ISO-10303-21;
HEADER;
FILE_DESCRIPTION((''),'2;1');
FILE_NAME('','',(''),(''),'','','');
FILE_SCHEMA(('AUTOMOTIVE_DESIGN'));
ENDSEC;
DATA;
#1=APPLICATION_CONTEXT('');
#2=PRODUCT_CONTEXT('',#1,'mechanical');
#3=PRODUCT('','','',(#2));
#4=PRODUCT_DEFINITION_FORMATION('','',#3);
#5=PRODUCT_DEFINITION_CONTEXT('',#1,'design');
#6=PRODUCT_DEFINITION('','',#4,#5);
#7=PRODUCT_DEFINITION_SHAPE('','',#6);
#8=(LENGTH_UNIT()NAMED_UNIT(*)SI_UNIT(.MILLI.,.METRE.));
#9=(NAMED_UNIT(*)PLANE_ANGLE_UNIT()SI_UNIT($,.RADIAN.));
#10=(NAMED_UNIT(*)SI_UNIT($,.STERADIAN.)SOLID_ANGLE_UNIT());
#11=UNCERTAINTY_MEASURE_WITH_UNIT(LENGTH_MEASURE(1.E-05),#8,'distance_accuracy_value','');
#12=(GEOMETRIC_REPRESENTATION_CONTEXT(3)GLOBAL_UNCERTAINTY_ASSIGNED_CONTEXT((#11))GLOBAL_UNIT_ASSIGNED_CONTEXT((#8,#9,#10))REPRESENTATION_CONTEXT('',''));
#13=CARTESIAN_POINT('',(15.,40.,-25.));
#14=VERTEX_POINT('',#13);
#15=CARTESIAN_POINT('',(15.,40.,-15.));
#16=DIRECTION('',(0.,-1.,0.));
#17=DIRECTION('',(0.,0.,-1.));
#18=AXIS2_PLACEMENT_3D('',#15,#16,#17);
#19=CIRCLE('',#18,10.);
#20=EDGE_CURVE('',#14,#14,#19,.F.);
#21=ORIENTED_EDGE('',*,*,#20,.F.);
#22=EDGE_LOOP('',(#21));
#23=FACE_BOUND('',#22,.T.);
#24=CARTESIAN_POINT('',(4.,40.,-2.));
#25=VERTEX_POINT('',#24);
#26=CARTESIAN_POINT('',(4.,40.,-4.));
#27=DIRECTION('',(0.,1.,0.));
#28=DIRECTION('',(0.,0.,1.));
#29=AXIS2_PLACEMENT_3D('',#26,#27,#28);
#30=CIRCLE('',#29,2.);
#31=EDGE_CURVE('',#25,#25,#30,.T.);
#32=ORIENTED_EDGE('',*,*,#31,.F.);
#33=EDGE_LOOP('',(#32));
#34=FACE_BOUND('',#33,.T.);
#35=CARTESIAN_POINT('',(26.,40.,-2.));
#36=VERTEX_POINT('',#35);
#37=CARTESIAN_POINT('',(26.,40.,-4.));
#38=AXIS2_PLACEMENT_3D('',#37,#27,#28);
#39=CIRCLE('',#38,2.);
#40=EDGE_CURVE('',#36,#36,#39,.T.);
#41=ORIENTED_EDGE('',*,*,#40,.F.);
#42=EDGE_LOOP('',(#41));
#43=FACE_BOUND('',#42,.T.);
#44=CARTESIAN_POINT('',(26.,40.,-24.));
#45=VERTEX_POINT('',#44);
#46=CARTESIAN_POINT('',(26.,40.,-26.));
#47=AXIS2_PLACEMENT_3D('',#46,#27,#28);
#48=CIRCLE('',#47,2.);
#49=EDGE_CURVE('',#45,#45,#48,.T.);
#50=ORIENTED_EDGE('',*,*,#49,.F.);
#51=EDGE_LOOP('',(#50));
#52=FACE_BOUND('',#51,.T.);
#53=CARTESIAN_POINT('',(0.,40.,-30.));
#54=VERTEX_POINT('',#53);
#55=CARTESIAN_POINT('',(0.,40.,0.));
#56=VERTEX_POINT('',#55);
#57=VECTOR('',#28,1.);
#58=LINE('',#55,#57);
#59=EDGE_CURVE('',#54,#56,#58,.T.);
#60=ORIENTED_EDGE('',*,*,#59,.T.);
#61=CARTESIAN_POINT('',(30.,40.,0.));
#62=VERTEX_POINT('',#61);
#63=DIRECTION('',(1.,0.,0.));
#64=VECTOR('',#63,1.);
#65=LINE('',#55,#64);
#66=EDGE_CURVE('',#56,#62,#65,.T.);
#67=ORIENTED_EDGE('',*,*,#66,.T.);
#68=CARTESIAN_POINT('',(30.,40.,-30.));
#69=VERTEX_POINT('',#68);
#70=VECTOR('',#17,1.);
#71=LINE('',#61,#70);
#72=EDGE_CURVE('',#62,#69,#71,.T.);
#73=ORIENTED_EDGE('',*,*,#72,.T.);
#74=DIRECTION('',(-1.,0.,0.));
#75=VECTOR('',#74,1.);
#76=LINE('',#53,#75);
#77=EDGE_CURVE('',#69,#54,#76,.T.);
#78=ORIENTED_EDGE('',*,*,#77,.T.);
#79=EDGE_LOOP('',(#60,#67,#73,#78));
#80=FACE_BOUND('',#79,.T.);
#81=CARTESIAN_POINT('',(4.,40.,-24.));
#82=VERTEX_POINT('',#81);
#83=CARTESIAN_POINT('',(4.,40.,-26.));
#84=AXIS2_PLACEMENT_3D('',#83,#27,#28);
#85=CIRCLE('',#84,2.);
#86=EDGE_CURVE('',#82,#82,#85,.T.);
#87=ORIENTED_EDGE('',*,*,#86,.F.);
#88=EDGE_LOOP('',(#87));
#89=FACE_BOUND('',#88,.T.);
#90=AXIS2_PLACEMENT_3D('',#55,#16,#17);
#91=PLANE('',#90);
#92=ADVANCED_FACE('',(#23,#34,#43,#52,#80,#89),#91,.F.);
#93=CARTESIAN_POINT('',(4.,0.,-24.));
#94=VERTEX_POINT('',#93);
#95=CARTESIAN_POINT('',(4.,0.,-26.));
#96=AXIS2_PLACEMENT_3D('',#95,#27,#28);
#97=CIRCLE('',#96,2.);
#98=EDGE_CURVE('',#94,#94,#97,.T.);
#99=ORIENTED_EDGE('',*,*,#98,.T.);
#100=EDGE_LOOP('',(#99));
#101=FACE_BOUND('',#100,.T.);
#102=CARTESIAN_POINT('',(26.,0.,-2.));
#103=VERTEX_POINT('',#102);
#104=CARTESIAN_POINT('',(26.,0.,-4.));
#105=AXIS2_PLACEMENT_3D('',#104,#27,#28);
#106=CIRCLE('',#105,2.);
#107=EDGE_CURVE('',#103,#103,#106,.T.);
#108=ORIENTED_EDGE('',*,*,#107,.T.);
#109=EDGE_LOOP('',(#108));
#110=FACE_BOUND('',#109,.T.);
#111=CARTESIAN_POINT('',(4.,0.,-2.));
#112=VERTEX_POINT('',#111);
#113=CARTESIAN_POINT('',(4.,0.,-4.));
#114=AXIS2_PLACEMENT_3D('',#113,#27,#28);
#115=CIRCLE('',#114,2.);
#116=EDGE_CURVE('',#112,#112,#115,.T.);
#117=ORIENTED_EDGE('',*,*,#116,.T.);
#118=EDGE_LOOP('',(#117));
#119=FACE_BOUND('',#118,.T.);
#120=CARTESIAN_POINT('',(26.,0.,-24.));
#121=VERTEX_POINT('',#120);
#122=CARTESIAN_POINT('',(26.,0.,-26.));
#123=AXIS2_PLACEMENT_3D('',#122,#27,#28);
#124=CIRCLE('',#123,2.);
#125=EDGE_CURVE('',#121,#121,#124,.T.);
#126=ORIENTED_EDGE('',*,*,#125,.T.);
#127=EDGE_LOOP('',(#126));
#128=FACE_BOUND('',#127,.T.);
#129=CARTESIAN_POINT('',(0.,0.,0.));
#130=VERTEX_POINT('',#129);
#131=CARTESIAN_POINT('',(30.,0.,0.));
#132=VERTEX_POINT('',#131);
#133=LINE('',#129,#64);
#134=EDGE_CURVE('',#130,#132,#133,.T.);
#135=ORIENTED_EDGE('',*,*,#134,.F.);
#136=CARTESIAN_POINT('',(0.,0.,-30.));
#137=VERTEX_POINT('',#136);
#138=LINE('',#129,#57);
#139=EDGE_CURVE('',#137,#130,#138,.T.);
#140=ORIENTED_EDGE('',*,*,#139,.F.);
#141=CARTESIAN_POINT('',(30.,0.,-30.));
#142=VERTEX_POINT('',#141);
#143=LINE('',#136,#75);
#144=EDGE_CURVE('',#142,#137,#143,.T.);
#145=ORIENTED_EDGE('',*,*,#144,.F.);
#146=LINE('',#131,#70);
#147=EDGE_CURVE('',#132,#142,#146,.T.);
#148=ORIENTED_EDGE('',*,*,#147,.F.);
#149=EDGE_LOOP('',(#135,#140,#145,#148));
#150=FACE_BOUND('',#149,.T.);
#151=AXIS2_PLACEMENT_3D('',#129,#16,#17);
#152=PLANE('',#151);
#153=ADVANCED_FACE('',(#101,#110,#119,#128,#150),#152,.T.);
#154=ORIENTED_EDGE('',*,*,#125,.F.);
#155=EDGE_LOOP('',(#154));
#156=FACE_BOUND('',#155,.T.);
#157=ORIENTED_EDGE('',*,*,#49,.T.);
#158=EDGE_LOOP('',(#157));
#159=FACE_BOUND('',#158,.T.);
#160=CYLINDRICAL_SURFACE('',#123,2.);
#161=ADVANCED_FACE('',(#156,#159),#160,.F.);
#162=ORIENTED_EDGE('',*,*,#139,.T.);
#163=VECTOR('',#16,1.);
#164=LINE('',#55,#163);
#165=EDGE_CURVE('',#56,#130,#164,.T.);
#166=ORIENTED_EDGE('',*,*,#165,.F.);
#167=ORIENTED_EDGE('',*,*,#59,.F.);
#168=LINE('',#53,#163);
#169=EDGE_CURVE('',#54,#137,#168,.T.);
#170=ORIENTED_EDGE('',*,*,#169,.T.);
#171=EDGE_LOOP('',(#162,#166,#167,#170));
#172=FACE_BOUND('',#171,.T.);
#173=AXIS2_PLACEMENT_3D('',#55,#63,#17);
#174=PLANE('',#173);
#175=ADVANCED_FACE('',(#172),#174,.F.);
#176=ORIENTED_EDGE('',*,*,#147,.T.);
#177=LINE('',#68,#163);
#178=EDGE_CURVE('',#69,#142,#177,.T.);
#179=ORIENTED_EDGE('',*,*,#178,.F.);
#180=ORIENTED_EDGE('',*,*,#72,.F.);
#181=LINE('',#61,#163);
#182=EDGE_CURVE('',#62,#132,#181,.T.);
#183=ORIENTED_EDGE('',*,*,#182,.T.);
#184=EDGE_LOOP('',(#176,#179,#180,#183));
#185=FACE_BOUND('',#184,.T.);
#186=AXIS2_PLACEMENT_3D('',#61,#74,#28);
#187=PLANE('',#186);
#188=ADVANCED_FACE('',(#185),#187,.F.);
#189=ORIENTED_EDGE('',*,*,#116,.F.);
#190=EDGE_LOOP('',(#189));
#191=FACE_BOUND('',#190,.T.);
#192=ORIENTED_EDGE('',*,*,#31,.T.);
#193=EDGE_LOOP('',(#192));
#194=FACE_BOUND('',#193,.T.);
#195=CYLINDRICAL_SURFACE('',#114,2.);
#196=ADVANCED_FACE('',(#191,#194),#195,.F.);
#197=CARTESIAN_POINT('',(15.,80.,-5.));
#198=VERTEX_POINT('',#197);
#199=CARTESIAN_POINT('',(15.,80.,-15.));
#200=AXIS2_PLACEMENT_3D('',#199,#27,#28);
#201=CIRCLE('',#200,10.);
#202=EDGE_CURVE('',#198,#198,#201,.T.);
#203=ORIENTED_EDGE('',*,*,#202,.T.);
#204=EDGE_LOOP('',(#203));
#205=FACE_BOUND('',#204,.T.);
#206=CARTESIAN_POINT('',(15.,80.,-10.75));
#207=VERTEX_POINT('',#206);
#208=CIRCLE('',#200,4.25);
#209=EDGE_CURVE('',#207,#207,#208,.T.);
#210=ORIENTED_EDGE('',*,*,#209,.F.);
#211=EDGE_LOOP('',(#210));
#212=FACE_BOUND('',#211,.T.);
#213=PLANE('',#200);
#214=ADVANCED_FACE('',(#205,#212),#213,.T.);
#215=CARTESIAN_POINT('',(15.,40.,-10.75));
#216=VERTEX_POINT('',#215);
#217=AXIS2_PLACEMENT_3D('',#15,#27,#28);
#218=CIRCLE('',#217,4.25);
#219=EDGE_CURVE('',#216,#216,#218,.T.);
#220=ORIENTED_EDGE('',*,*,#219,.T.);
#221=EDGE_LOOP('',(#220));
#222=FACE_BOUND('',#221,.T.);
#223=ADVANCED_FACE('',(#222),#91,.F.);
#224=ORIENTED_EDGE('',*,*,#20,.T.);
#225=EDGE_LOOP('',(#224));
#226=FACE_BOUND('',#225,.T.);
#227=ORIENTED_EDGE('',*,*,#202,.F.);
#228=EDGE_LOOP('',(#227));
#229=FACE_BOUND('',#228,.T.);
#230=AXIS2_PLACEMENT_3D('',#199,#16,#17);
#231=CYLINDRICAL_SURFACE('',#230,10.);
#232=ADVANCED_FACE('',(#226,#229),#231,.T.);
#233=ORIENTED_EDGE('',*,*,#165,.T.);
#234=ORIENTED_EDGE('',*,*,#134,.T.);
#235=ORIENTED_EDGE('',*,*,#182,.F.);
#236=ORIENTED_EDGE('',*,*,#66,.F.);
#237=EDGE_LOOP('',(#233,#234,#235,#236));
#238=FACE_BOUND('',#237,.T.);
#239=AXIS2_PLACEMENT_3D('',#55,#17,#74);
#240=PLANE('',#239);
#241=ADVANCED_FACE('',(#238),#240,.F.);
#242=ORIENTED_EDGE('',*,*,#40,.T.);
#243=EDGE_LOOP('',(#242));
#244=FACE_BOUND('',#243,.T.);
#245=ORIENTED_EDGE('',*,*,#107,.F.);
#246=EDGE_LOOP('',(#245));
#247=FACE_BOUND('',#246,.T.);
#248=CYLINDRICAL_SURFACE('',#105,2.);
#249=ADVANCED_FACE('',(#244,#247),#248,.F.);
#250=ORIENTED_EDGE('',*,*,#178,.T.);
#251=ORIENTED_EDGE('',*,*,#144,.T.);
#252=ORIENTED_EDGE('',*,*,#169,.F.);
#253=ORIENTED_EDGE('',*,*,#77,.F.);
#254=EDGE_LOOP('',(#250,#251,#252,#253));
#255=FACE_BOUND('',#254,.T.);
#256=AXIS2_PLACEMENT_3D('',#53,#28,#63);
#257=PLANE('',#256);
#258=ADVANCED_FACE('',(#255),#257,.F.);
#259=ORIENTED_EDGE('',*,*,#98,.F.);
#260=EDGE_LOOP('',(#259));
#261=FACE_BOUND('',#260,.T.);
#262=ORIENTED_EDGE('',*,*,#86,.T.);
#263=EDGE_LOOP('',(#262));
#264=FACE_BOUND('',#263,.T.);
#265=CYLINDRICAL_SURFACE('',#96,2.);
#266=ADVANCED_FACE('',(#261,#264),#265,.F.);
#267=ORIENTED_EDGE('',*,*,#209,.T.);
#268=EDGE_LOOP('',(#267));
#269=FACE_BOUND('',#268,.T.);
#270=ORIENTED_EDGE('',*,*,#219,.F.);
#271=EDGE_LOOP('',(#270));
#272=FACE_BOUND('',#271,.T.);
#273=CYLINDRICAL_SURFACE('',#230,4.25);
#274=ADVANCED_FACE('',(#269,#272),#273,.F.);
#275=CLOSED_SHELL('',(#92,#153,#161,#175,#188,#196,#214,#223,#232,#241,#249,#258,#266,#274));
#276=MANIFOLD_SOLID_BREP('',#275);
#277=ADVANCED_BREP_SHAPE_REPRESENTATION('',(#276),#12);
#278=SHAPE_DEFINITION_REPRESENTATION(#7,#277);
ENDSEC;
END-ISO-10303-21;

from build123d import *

# Parameters (mm, degrees)
IZIM1_W                     = 30
IZIM1_H                     = 30
Y_KSEKLIK_EKSTR_ZYON1_DEPTH = 40
IZIM2_R                     = 2
KES_EKSTR_ZYON1_DEPTH       = 40
IZIM3_R                     = 10
IZIM3_R_2                   = 4.25
Y_KSEKLIK_EKSTR_ZYON2_DEPTH = 40


with BuildPart() as part:
    # Çizim1 → Yükseklik-Ekstrüzyon1 (new body)
    with BuildSketch(Plane(origin=(0, 0, 0), x_dir=(1, 0, 0), z_dir=(0, 1, 0))):
        with Locations((15, 15)):
            Rectangle(IZIM1_W, IZIM1_H)
    extrude(amount=Y_KSEKLIK_EKSTR_ZYON1_DEPTH)

    # Çizim2 → Kes-Ekstrüzyon1 (cut)
    with BuildSketch(Plane(origin=(0, 40, 0), x_dir=(1, 0, 0), z_dir=(0, 1, 0))):
        with Locations(Location((4, 26, 0), (0, 0, 270))):
            Circle(IZIM2_R)
        with Locations(Location((26, 26, 0), (0, 0, 270))):
            Circle(IZIM2_R)
        with Locations(Location((26, 4, 0), (0, 0, 270))):
            Circle(IZIM2_R)
        with Locations(Location((4, 4, 0), (0, 0, 270))):
            Circle(IZIM2_R)
    extrude(amount=-KES_EKSTR_ZYON1_DEPTH, mode=Mode.SUBTRACT)

    # Çizim3 → Yükseklik-Ekstrüzyon2 (add)
    with BuildSketch(Plane(origin=(0, 40, 0), x_dir=(1, 0, 0), z_dir=(0, 1, 0))):
        with Locations(Location((15, 15, 0), (0, 0, 90))):
            Circle(IZIM3_R)
        with Locations(Location((15, 15, 0), (0, 0, 270))):
            Circle(IZIM3_R_2, mode=Mode.SUBTRACT)
    extrude(amount=Y_KSEKLIK_EKSTR_ZYON2_DEPTH)


solid = part.part
